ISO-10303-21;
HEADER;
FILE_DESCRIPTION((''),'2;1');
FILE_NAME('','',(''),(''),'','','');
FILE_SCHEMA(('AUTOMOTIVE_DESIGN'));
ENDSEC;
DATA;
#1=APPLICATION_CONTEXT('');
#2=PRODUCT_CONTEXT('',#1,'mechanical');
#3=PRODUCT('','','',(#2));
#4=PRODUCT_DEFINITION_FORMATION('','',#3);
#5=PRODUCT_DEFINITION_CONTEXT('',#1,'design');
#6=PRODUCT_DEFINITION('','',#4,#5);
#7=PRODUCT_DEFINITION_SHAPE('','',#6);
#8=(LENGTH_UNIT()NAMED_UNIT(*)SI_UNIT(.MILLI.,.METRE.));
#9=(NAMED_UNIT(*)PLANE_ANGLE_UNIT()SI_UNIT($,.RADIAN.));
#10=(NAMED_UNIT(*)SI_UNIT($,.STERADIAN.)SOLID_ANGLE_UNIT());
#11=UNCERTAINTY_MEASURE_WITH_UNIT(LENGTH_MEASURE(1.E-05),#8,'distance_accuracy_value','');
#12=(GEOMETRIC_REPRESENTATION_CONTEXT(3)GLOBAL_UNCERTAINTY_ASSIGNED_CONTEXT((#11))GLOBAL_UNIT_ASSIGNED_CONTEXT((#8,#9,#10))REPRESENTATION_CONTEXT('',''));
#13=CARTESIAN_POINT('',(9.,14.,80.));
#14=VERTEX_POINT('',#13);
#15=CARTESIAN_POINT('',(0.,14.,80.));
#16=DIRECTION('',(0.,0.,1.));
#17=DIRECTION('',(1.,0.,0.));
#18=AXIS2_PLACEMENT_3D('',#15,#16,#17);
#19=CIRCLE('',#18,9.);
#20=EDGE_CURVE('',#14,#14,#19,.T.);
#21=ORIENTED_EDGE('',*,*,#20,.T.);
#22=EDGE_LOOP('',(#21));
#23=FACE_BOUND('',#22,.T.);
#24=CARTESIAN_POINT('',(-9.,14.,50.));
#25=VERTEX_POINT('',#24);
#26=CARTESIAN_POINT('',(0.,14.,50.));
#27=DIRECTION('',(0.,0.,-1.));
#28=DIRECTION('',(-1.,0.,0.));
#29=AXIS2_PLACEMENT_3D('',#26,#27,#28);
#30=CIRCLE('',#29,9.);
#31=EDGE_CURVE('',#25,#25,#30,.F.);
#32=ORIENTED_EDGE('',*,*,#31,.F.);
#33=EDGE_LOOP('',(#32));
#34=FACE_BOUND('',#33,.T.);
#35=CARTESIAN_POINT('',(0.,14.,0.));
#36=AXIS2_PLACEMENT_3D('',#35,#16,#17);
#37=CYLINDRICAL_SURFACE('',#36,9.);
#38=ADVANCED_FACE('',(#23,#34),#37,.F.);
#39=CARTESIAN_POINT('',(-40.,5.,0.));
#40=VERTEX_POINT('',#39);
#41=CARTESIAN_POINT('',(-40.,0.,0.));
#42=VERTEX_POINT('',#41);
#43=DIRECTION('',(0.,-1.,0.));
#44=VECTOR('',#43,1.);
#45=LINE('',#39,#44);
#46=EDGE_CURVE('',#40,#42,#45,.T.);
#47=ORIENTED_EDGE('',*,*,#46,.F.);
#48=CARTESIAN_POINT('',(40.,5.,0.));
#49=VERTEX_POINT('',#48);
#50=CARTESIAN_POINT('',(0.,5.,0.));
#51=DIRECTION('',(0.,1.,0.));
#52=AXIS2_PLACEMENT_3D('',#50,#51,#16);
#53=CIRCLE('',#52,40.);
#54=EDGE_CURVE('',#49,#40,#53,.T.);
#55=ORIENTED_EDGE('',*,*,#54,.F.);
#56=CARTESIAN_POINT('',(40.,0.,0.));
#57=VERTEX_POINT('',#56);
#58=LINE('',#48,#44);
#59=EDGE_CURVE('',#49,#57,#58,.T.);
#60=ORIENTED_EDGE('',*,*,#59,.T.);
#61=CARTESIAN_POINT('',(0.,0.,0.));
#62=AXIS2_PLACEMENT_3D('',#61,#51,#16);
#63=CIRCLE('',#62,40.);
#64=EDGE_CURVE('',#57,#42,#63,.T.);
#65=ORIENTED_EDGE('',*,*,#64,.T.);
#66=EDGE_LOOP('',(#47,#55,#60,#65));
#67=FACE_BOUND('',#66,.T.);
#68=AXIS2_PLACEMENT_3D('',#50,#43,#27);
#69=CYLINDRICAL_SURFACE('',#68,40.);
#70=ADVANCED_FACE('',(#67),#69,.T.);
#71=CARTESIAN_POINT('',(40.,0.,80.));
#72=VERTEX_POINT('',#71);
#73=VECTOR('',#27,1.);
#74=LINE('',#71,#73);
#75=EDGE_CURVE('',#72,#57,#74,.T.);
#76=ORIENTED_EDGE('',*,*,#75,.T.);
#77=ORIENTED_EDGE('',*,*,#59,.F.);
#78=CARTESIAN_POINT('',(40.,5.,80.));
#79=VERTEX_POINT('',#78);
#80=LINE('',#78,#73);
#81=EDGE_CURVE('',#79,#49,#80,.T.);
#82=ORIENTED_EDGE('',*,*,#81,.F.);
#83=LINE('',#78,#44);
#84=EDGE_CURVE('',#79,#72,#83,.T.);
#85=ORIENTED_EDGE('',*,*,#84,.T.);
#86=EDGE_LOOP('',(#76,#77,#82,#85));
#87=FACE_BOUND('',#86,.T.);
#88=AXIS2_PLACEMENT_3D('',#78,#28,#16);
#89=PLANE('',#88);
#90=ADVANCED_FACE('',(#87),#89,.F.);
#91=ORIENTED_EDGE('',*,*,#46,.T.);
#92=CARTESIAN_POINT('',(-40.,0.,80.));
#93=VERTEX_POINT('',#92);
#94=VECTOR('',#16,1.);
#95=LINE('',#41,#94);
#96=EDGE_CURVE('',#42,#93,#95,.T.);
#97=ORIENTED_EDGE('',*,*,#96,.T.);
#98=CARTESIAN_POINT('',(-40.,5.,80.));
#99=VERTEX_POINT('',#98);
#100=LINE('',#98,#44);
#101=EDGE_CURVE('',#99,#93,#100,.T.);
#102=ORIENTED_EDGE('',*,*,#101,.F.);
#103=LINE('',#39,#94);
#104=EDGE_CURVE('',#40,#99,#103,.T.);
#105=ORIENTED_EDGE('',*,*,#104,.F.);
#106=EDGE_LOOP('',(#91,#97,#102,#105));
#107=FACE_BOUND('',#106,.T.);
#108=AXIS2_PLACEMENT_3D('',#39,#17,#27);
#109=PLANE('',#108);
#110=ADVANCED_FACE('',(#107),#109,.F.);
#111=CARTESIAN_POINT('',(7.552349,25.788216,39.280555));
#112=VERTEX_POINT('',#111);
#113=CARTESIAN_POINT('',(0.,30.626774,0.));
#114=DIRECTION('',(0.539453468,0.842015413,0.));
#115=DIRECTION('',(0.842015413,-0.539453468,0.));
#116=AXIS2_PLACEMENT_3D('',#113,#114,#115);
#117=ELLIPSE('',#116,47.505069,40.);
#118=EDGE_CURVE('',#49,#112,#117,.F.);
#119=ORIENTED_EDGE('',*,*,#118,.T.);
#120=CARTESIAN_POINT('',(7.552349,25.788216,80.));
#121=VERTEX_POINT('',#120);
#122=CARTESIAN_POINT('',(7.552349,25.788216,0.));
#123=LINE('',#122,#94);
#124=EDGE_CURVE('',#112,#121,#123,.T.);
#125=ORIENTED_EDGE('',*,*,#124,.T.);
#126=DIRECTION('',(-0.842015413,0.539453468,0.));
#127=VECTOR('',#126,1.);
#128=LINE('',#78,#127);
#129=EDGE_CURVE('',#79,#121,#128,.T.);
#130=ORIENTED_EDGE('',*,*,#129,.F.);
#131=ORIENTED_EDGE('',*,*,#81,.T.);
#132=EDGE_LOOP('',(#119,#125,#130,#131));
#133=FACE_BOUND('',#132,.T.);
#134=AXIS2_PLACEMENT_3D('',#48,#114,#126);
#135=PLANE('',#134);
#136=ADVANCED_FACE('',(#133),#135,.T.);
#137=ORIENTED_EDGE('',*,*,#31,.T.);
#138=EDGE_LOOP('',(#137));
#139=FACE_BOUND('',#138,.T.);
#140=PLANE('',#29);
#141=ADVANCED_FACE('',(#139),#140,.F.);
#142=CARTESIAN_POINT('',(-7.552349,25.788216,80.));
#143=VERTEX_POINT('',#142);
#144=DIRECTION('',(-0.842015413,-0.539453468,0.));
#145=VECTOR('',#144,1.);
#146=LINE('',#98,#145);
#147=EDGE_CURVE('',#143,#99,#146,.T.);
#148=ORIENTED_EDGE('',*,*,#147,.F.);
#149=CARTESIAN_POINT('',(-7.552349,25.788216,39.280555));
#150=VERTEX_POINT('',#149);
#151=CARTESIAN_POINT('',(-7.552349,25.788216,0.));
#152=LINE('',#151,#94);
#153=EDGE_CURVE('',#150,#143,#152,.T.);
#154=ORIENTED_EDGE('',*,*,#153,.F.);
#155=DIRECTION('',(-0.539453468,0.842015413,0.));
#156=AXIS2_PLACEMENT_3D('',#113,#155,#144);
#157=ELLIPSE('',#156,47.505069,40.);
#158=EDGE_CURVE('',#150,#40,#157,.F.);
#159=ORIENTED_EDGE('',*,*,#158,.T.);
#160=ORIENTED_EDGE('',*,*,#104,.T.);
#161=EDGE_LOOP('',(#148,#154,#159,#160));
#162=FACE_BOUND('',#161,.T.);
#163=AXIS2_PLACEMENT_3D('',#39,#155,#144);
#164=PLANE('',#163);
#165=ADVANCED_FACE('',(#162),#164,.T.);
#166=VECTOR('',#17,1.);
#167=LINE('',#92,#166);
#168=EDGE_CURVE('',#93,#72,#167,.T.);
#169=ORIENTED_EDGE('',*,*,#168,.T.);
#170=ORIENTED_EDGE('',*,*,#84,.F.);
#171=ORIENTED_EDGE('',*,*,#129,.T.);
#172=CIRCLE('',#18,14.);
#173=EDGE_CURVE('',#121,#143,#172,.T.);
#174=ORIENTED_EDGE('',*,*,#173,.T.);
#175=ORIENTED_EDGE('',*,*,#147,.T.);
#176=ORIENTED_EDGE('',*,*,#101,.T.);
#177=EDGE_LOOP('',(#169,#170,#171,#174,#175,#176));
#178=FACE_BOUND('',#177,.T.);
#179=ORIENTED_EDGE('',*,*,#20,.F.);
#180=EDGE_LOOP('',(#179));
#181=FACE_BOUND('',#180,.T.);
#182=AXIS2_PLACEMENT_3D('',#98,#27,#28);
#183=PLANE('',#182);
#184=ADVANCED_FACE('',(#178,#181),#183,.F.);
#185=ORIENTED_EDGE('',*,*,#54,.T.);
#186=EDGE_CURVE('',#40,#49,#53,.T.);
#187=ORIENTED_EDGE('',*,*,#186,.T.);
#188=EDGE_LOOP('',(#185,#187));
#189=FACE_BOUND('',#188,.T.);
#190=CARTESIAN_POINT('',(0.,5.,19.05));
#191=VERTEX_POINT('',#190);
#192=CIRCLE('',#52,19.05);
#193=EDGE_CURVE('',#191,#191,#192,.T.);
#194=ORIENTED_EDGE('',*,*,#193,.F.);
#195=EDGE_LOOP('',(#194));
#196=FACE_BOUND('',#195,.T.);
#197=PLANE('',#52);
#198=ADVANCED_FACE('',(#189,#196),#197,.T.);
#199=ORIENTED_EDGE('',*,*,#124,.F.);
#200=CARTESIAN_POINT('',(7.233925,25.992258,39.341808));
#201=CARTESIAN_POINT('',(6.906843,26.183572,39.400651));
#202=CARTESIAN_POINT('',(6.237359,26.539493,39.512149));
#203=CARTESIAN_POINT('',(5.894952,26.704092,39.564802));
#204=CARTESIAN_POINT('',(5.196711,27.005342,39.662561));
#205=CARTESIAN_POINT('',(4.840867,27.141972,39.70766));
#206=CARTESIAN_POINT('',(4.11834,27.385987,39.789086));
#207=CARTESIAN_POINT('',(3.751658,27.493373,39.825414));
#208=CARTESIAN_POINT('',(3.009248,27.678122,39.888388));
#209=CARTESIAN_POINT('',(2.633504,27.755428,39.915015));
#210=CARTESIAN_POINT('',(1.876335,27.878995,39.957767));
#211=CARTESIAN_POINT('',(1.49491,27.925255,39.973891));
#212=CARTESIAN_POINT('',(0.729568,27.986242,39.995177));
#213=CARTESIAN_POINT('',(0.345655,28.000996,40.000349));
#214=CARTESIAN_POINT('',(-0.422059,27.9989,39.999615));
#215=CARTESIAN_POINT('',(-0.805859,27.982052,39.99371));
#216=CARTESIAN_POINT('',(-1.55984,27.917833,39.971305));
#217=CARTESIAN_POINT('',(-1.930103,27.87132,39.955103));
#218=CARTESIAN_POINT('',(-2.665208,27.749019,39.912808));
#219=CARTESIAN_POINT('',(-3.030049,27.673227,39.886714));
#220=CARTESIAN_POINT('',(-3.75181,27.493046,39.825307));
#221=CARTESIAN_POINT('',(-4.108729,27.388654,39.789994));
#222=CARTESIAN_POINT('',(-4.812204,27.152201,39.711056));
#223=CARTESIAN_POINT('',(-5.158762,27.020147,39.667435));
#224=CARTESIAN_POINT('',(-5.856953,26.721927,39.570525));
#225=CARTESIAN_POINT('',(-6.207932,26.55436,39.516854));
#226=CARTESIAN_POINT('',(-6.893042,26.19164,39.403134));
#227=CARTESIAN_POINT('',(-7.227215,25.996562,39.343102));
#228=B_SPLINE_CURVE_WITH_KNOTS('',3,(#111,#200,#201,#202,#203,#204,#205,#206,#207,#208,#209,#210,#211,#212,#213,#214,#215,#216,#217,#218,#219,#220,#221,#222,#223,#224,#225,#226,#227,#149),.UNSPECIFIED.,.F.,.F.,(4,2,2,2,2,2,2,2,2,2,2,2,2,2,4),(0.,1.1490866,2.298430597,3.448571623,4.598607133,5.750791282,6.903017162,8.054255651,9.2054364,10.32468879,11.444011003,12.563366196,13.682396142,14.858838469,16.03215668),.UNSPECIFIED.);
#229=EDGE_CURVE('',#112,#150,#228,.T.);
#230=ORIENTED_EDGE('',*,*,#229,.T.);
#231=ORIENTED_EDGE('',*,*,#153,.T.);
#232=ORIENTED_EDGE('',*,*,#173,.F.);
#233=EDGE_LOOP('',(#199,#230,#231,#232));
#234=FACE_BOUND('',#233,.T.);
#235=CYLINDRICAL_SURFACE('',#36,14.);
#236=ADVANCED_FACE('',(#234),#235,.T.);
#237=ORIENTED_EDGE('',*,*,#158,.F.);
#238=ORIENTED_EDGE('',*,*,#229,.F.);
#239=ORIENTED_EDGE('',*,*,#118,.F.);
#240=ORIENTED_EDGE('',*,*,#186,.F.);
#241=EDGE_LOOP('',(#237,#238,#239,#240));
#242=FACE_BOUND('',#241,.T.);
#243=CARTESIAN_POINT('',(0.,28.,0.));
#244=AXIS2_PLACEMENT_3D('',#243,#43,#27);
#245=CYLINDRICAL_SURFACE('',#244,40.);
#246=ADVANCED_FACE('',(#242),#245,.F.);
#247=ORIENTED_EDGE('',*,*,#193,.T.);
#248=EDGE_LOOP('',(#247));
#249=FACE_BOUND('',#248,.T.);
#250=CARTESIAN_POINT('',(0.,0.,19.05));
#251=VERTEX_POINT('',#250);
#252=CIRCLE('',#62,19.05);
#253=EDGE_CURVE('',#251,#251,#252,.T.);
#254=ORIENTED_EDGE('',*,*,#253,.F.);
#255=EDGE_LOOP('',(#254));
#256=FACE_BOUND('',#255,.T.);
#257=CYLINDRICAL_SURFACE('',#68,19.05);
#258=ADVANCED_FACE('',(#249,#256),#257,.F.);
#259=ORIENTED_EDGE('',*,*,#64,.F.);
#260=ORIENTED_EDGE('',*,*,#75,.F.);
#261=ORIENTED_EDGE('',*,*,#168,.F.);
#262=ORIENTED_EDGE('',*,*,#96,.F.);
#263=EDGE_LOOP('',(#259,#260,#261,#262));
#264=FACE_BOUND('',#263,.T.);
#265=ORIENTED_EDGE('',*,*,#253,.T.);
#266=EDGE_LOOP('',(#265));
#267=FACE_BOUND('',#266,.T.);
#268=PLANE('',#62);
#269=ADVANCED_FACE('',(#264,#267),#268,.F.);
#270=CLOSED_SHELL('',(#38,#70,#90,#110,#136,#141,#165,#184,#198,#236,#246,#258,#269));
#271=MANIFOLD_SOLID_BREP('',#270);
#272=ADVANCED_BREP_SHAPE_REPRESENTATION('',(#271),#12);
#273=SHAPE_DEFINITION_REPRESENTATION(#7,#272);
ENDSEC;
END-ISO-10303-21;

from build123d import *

# Parameters (mm, degrees)
SKETCH1_R                                     = 19.05
PISTON_CONNECTION_PLATE_DEPTH                 = 5
SKETCH2_R                                     = 9
PLATFORM_TUBE_LINK_DEPTH                      = 80
ROD_START                                     = -50
SKETCH5_R                                     = 9
ROD_CAP_PREVENT_ROD_FROM_REACHING_PISTO_DEPTH = 50
CLEANUP_CUT_1_DEPTH                           = 94.722996111
CLEANUP_CUT_1_DEPTH_BACK                      = 94.722996111
SKETCH3_R                                     = 19.05
SKETCH4_R                                     = 40
CLEANUP_CUT_2_DEPTH                           = 93.352585349


with BuildPart() as part:
    # Sketch1 → Piston connection plate (new body)
    with BuildSketch(Plane(origin=(0, 0, 0), x_dir=(1, 0, 0), z_dir=(0, 1, 0))):
        with BuildLine():
            Line((-40, 0), (-40, -80))
            Line((-40, -80), (40, -80))
            Line((40, -80), (40, 0))
            ThreePointArc((40, 0), (0, 40), (-40, 0))
        make_face()
        with Locations(Location((0, 0, 0), (0, 0, 270))):
            Circle(SKETCH1_R, mode=Mode.SUBTRACT)
    extrude(amount=PISTON_CONNECTION_PLATE_DEPTH)

    # Sketch2 → Platform tube link (add)
    with BuildSketch(Plane.XY.offset(80)):
        with BuildLine():
            Line((-40, 5), (-7.552348551, 25.788215784))
            ThreePointArc((-7.552348551, 25.788215784), (0, 28), (7.552348551, 25.788215784))
            Line((7.552348551, 25.788215784), (40, 5))
            Line((40, 5), (40, 0))
            Line((40, 0), (-40, 0))
            Line((-40, 0), (-40, 5))
        make_face()
        with Locations((0, 14)):
            Circle(SKETCH2_R, mode=Mode.SUBTRACT)
    extrude(amount=-PLATFORM_TUBE_LINK_DEPTH)

    # Sketch5 → Rod cap (prevent rod from reaching piston) (add)
    with BuildSketch(Plane(origin=(0, 0, 0), x_dir=(-1, 0, 0), z_dir=(0, 0, -1)).offset(ROD_START)):
        with Locations(Location((0, 14, 0), (0, 0, 180))):
            Circle(SKETCH5_R)
    extrude(amount=ROD_CAP_PREVENT_ROD_FROM_REACHING_PISTO_DEPTH)

    # Sketch3 → Cleanup cut 1 (cut, two sides: drawn at the far end of the back side and taken through both)
    with BuildSketch(Plane.XZ.offset(-CLEANUP_CUT_1_DEPTH_BACK)):
        Circle(SKETCH3_R)
    extrude(amount=CLEANUP_CUT_1_DEPTH + CLEANUP_CUT_1_DEPTH_BACK, mode=Mode.SUBTRACT)

    # Sketch4 → Cleanup cut 2 (cut, through all)
    with BuildSketch(Plane(origin=(0, 5, 0), x_dir=(1, 0, 0), z_dir=(0, 1, 0))):
        Circle(SKETCH4_R)
    extrude(amount=CLEANUP_CUT_2_DEPTH, mode=Mode.SUBTRACT)


solid = part.part
